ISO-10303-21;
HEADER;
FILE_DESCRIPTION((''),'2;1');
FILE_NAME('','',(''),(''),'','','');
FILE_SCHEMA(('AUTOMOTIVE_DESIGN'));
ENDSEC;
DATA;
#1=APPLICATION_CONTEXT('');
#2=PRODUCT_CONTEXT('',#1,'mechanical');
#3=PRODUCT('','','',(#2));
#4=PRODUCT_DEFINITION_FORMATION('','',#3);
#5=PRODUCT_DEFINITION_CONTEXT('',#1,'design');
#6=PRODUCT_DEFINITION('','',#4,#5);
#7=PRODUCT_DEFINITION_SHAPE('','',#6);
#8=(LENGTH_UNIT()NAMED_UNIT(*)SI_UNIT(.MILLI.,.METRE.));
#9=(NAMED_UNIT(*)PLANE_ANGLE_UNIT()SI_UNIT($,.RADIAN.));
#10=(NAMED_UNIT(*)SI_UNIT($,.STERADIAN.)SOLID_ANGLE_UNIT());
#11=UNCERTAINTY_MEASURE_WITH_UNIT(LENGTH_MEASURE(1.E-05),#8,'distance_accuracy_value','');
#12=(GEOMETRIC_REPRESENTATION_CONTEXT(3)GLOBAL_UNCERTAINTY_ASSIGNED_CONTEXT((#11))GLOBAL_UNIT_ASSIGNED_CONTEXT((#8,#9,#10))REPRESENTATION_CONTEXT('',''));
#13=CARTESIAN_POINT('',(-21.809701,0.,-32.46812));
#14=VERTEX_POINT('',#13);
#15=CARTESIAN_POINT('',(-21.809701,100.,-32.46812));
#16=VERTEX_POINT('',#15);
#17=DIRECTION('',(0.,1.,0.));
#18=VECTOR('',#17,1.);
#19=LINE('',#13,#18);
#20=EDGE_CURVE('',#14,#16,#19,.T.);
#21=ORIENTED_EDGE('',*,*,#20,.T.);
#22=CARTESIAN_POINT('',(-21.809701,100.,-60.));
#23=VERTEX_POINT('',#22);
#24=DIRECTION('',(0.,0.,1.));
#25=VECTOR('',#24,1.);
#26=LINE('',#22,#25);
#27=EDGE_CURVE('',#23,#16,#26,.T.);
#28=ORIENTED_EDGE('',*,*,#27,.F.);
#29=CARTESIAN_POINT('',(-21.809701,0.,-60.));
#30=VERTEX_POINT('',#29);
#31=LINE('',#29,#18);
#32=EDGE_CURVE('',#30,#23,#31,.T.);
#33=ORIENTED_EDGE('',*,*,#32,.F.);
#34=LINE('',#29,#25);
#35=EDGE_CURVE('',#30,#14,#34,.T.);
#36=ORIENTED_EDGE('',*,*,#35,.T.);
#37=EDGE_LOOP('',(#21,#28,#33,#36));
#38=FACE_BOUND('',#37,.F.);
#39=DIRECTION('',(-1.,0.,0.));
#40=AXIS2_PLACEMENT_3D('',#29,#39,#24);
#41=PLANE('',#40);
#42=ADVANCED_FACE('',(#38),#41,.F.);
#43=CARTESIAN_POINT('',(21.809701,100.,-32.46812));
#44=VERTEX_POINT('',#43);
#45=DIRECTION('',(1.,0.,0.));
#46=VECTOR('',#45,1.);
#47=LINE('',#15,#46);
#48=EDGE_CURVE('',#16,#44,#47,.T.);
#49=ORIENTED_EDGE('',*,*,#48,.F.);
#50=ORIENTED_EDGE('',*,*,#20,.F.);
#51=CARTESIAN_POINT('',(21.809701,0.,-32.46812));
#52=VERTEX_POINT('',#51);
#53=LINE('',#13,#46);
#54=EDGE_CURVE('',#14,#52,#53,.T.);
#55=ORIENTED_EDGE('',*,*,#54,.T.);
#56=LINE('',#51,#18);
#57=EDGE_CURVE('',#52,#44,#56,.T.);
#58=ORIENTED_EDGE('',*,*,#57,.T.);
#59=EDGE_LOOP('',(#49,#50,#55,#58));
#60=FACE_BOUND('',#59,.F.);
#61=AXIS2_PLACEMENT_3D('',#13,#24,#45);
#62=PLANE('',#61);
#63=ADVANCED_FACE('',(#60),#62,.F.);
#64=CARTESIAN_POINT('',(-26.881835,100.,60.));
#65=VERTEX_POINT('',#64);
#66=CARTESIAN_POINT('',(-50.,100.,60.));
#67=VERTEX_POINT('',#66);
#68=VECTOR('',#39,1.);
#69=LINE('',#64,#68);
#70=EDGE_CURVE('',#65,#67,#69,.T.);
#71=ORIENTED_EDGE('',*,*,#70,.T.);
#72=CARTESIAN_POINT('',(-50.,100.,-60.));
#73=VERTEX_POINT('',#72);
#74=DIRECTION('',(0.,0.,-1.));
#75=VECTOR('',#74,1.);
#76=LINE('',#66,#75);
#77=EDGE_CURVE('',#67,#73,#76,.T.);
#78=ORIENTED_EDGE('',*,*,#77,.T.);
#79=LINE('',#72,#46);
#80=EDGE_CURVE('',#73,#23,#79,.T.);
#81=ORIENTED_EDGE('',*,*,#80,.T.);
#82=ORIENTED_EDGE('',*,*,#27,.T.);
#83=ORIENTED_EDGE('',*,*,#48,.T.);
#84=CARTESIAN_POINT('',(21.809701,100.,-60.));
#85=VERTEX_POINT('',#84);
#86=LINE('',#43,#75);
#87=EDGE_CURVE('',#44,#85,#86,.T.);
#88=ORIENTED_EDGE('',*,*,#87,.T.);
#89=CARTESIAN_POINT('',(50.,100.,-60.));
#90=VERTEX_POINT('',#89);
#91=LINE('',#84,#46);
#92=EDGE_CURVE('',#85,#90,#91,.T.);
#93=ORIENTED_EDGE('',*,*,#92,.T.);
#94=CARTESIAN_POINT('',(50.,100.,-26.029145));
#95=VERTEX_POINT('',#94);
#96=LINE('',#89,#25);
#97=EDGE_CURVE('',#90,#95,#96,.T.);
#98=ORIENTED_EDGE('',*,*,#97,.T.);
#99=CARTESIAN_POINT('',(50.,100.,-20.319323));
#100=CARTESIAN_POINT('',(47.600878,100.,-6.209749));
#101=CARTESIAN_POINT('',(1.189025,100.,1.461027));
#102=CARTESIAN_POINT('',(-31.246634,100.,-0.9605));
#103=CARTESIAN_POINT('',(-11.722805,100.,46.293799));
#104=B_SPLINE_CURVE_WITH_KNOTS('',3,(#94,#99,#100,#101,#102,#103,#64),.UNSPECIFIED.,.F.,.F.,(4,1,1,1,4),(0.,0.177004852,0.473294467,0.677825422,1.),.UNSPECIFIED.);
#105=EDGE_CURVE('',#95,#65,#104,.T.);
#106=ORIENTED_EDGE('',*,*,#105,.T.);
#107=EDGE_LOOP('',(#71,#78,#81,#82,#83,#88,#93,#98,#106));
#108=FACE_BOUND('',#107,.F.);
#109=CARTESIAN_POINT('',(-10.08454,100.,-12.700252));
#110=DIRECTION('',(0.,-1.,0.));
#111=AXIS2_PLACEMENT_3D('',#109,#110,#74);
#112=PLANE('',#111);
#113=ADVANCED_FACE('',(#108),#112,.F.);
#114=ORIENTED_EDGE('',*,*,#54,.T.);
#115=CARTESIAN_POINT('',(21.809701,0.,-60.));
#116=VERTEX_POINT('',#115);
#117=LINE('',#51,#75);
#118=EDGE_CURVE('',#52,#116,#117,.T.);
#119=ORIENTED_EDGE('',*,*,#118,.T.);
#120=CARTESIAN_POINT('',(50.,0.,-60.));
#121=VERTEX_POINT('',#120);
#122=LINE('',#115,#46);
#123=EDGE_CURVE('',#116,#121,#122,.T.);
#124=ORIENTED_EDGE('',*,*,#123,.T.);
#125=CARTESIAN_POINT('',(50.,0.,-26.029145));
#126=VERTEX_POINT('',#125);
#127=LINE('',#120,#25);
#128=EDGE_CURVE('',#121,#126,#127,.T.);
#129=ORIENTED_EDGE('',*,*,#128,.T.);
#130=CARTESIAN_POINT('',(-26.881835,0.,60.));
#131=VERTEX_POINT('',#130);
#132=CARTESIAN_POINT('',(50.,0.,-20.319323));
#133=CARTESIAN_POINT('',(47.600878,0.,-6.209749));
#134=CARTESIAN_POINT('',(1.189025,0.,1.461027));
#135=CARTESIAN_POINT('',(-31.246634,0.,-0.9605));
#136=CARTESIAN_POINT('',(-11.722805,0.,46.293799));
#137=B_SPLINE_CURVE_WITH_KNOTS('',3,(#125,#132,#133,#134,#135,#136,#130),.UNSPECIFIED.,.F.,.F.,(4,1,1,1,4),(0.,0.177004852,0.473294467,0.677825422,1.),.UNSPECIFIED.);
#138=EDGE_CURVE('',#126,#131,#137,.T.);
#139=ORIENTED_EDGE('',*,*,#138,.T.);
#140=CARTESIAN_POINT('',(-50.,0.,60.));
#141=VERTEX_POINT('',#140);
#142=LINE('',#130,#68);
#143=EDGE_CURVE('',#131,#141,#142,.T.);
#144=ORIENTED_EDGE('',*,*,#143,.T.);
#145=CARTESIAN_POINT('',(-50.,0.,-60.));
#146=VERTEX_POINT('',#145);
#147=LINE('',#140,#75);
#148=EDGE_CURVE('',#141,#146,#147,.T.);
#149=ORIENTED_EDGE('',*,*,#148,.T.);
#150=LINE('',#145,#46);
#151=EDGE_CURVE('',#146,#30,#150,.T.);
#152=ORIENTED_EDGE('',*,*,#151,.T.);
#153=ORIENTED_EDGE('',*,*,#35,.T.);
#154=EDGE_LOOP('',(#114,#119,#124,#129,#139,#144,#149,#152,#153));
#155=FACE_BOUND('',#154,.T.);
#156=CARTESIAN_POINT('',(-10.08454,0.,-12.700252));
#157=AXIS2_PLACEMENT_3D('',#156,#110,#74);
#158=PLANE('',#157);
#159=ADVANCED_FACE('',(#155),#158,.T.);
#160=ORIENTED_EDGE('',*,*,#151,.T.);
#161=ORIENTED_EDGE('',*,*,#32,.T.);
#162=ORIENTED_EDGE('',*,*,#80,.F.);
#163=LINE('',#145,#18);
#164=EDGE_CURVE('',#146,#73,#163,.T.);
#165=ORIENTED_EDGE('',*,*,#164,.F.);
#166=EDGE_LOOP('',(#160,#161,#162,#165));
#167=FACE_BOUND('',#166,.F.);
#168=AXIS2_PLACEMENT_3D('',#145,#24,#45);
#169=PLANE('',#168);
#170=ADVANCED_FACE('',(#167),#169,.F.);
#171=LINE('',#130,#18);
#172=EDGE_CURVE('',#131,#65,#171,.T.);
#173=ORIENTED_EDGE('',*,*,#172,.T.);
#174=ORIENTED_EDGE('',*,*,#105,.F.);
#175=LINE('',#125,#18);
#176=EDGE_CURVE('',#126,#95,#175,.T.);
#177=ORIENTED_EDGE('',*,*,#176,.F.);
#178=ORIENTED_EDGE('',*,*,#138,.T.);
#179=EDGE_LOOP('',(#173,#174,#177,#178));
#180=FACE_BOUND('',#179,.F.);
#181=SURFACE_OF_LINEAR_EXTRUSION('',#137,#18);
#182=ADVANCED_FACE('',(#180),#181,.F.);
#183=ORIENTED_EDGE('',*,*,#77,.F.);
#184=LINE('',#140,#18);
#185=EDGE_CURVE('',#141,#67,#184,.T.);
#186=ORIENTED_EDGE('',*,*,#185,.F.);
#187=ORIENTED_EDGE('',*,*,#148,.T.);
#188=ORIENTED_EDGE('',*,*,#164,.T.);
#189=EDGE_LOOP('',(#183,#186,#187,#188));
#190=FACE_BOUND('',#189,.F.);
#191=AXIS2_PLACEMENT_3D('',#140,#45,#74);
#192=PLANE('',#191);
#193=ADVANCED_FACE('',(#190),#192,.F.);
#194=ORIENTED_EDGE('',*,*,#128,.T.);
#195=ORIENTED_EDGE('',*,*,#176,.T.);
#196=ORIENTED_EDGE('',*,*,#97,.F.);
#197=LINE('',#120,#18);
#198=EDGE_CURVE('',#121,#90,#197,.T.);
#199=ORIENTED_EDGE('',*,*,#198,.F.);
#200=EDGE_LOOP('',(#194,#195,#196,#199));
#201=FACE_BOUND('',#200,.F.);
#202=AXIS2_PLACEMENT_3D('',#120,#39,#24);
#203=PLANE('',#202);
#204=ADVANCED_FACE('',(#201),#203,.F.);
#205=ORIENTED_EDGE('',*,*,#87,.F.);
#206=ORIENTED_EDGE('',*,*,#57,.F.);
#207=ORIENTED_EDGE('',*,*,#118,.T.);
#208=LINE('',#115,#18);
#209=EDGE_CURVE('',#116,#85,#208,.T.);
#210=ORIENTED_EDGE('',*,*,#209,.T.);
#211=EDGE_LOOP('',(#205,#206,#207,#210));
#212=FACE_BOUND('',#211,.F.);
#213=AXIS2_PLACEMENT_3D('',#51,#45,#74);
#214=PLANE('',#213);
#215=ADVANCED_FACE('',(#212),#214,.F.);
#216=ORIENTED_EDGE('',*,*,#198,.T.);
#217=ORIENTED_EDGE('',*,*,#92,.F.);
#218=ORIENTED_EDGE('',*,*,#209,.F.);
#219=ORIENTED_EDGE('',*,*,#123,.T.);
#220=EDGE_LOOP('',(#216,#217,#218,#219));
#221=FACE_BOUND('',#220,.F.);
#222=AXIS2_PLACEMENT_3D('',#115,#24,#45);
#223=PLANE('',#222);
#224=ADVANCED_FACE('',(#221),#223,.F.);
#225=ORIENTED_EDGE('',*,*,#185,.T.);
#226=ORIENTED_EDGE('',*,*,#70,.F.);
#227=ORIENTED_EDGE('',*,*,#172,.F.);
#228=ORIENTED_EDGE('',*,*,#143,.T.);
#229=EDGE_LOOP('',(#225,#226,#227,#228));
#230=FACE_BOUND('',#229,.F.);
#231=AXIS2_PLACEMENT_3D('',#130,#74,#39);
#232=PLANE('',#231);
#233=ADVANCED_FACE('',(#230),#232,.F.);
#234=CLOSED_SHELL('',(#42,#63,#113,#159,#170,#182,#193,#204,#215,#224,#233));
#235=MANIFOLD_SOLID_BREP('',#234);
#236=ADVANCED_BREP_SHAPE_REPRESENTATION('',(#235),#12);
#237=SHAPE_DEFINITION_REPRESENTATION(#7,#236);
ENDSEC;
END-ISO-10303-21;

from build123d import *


with BuildPart() as f2:
    # F2: sweep along a path in F1
    with BuildLine(Plane.XY) as f2_path:
        Line((-30.4791685194, 0), (-30.4791685194, 100))
    # F0 (on Front) → F2 (sweep)
    with BuildSketch(Plane.XZ):
        with BuildLine():
            Line((21.8097008765, -60), (50, -60))
            Line((50, -60), (50, -26.0291449229))
            add(Edge.make_bspline(
                [(-26.8818349299, 60), (-11.7228051932, 46.2937986543), (-31.2466336511, -0.9604997543), (1.1890247146, 1.4610274991), (47.6008776822, -6.2097485311), (50, -20.3193232005), (50, -26.0291449229)],
                knots=[0, 0, 0, 0, 0.3221745777, 0.5267055325, 0.8229951481, 1, 1, 1, 1], degree=3))
            Line((-26.8818349299, 60), (-50, 60))
            Line((-50, 60), (-50, -60))
            Line((-50, -60), (-21.8097008765, -60))
            Line((-21.8097008765, -60), (-21.8097008765, -32.4681201577))
            Line((-21.8097008765, -32.4681201577), (21.8097008765, -32.4681201577))
            Line((21.8097008765, -32.4681201577), (21.8097008765, -60))
        make_face()
    sweep(path=f2_path.line)


solid = f2.part
